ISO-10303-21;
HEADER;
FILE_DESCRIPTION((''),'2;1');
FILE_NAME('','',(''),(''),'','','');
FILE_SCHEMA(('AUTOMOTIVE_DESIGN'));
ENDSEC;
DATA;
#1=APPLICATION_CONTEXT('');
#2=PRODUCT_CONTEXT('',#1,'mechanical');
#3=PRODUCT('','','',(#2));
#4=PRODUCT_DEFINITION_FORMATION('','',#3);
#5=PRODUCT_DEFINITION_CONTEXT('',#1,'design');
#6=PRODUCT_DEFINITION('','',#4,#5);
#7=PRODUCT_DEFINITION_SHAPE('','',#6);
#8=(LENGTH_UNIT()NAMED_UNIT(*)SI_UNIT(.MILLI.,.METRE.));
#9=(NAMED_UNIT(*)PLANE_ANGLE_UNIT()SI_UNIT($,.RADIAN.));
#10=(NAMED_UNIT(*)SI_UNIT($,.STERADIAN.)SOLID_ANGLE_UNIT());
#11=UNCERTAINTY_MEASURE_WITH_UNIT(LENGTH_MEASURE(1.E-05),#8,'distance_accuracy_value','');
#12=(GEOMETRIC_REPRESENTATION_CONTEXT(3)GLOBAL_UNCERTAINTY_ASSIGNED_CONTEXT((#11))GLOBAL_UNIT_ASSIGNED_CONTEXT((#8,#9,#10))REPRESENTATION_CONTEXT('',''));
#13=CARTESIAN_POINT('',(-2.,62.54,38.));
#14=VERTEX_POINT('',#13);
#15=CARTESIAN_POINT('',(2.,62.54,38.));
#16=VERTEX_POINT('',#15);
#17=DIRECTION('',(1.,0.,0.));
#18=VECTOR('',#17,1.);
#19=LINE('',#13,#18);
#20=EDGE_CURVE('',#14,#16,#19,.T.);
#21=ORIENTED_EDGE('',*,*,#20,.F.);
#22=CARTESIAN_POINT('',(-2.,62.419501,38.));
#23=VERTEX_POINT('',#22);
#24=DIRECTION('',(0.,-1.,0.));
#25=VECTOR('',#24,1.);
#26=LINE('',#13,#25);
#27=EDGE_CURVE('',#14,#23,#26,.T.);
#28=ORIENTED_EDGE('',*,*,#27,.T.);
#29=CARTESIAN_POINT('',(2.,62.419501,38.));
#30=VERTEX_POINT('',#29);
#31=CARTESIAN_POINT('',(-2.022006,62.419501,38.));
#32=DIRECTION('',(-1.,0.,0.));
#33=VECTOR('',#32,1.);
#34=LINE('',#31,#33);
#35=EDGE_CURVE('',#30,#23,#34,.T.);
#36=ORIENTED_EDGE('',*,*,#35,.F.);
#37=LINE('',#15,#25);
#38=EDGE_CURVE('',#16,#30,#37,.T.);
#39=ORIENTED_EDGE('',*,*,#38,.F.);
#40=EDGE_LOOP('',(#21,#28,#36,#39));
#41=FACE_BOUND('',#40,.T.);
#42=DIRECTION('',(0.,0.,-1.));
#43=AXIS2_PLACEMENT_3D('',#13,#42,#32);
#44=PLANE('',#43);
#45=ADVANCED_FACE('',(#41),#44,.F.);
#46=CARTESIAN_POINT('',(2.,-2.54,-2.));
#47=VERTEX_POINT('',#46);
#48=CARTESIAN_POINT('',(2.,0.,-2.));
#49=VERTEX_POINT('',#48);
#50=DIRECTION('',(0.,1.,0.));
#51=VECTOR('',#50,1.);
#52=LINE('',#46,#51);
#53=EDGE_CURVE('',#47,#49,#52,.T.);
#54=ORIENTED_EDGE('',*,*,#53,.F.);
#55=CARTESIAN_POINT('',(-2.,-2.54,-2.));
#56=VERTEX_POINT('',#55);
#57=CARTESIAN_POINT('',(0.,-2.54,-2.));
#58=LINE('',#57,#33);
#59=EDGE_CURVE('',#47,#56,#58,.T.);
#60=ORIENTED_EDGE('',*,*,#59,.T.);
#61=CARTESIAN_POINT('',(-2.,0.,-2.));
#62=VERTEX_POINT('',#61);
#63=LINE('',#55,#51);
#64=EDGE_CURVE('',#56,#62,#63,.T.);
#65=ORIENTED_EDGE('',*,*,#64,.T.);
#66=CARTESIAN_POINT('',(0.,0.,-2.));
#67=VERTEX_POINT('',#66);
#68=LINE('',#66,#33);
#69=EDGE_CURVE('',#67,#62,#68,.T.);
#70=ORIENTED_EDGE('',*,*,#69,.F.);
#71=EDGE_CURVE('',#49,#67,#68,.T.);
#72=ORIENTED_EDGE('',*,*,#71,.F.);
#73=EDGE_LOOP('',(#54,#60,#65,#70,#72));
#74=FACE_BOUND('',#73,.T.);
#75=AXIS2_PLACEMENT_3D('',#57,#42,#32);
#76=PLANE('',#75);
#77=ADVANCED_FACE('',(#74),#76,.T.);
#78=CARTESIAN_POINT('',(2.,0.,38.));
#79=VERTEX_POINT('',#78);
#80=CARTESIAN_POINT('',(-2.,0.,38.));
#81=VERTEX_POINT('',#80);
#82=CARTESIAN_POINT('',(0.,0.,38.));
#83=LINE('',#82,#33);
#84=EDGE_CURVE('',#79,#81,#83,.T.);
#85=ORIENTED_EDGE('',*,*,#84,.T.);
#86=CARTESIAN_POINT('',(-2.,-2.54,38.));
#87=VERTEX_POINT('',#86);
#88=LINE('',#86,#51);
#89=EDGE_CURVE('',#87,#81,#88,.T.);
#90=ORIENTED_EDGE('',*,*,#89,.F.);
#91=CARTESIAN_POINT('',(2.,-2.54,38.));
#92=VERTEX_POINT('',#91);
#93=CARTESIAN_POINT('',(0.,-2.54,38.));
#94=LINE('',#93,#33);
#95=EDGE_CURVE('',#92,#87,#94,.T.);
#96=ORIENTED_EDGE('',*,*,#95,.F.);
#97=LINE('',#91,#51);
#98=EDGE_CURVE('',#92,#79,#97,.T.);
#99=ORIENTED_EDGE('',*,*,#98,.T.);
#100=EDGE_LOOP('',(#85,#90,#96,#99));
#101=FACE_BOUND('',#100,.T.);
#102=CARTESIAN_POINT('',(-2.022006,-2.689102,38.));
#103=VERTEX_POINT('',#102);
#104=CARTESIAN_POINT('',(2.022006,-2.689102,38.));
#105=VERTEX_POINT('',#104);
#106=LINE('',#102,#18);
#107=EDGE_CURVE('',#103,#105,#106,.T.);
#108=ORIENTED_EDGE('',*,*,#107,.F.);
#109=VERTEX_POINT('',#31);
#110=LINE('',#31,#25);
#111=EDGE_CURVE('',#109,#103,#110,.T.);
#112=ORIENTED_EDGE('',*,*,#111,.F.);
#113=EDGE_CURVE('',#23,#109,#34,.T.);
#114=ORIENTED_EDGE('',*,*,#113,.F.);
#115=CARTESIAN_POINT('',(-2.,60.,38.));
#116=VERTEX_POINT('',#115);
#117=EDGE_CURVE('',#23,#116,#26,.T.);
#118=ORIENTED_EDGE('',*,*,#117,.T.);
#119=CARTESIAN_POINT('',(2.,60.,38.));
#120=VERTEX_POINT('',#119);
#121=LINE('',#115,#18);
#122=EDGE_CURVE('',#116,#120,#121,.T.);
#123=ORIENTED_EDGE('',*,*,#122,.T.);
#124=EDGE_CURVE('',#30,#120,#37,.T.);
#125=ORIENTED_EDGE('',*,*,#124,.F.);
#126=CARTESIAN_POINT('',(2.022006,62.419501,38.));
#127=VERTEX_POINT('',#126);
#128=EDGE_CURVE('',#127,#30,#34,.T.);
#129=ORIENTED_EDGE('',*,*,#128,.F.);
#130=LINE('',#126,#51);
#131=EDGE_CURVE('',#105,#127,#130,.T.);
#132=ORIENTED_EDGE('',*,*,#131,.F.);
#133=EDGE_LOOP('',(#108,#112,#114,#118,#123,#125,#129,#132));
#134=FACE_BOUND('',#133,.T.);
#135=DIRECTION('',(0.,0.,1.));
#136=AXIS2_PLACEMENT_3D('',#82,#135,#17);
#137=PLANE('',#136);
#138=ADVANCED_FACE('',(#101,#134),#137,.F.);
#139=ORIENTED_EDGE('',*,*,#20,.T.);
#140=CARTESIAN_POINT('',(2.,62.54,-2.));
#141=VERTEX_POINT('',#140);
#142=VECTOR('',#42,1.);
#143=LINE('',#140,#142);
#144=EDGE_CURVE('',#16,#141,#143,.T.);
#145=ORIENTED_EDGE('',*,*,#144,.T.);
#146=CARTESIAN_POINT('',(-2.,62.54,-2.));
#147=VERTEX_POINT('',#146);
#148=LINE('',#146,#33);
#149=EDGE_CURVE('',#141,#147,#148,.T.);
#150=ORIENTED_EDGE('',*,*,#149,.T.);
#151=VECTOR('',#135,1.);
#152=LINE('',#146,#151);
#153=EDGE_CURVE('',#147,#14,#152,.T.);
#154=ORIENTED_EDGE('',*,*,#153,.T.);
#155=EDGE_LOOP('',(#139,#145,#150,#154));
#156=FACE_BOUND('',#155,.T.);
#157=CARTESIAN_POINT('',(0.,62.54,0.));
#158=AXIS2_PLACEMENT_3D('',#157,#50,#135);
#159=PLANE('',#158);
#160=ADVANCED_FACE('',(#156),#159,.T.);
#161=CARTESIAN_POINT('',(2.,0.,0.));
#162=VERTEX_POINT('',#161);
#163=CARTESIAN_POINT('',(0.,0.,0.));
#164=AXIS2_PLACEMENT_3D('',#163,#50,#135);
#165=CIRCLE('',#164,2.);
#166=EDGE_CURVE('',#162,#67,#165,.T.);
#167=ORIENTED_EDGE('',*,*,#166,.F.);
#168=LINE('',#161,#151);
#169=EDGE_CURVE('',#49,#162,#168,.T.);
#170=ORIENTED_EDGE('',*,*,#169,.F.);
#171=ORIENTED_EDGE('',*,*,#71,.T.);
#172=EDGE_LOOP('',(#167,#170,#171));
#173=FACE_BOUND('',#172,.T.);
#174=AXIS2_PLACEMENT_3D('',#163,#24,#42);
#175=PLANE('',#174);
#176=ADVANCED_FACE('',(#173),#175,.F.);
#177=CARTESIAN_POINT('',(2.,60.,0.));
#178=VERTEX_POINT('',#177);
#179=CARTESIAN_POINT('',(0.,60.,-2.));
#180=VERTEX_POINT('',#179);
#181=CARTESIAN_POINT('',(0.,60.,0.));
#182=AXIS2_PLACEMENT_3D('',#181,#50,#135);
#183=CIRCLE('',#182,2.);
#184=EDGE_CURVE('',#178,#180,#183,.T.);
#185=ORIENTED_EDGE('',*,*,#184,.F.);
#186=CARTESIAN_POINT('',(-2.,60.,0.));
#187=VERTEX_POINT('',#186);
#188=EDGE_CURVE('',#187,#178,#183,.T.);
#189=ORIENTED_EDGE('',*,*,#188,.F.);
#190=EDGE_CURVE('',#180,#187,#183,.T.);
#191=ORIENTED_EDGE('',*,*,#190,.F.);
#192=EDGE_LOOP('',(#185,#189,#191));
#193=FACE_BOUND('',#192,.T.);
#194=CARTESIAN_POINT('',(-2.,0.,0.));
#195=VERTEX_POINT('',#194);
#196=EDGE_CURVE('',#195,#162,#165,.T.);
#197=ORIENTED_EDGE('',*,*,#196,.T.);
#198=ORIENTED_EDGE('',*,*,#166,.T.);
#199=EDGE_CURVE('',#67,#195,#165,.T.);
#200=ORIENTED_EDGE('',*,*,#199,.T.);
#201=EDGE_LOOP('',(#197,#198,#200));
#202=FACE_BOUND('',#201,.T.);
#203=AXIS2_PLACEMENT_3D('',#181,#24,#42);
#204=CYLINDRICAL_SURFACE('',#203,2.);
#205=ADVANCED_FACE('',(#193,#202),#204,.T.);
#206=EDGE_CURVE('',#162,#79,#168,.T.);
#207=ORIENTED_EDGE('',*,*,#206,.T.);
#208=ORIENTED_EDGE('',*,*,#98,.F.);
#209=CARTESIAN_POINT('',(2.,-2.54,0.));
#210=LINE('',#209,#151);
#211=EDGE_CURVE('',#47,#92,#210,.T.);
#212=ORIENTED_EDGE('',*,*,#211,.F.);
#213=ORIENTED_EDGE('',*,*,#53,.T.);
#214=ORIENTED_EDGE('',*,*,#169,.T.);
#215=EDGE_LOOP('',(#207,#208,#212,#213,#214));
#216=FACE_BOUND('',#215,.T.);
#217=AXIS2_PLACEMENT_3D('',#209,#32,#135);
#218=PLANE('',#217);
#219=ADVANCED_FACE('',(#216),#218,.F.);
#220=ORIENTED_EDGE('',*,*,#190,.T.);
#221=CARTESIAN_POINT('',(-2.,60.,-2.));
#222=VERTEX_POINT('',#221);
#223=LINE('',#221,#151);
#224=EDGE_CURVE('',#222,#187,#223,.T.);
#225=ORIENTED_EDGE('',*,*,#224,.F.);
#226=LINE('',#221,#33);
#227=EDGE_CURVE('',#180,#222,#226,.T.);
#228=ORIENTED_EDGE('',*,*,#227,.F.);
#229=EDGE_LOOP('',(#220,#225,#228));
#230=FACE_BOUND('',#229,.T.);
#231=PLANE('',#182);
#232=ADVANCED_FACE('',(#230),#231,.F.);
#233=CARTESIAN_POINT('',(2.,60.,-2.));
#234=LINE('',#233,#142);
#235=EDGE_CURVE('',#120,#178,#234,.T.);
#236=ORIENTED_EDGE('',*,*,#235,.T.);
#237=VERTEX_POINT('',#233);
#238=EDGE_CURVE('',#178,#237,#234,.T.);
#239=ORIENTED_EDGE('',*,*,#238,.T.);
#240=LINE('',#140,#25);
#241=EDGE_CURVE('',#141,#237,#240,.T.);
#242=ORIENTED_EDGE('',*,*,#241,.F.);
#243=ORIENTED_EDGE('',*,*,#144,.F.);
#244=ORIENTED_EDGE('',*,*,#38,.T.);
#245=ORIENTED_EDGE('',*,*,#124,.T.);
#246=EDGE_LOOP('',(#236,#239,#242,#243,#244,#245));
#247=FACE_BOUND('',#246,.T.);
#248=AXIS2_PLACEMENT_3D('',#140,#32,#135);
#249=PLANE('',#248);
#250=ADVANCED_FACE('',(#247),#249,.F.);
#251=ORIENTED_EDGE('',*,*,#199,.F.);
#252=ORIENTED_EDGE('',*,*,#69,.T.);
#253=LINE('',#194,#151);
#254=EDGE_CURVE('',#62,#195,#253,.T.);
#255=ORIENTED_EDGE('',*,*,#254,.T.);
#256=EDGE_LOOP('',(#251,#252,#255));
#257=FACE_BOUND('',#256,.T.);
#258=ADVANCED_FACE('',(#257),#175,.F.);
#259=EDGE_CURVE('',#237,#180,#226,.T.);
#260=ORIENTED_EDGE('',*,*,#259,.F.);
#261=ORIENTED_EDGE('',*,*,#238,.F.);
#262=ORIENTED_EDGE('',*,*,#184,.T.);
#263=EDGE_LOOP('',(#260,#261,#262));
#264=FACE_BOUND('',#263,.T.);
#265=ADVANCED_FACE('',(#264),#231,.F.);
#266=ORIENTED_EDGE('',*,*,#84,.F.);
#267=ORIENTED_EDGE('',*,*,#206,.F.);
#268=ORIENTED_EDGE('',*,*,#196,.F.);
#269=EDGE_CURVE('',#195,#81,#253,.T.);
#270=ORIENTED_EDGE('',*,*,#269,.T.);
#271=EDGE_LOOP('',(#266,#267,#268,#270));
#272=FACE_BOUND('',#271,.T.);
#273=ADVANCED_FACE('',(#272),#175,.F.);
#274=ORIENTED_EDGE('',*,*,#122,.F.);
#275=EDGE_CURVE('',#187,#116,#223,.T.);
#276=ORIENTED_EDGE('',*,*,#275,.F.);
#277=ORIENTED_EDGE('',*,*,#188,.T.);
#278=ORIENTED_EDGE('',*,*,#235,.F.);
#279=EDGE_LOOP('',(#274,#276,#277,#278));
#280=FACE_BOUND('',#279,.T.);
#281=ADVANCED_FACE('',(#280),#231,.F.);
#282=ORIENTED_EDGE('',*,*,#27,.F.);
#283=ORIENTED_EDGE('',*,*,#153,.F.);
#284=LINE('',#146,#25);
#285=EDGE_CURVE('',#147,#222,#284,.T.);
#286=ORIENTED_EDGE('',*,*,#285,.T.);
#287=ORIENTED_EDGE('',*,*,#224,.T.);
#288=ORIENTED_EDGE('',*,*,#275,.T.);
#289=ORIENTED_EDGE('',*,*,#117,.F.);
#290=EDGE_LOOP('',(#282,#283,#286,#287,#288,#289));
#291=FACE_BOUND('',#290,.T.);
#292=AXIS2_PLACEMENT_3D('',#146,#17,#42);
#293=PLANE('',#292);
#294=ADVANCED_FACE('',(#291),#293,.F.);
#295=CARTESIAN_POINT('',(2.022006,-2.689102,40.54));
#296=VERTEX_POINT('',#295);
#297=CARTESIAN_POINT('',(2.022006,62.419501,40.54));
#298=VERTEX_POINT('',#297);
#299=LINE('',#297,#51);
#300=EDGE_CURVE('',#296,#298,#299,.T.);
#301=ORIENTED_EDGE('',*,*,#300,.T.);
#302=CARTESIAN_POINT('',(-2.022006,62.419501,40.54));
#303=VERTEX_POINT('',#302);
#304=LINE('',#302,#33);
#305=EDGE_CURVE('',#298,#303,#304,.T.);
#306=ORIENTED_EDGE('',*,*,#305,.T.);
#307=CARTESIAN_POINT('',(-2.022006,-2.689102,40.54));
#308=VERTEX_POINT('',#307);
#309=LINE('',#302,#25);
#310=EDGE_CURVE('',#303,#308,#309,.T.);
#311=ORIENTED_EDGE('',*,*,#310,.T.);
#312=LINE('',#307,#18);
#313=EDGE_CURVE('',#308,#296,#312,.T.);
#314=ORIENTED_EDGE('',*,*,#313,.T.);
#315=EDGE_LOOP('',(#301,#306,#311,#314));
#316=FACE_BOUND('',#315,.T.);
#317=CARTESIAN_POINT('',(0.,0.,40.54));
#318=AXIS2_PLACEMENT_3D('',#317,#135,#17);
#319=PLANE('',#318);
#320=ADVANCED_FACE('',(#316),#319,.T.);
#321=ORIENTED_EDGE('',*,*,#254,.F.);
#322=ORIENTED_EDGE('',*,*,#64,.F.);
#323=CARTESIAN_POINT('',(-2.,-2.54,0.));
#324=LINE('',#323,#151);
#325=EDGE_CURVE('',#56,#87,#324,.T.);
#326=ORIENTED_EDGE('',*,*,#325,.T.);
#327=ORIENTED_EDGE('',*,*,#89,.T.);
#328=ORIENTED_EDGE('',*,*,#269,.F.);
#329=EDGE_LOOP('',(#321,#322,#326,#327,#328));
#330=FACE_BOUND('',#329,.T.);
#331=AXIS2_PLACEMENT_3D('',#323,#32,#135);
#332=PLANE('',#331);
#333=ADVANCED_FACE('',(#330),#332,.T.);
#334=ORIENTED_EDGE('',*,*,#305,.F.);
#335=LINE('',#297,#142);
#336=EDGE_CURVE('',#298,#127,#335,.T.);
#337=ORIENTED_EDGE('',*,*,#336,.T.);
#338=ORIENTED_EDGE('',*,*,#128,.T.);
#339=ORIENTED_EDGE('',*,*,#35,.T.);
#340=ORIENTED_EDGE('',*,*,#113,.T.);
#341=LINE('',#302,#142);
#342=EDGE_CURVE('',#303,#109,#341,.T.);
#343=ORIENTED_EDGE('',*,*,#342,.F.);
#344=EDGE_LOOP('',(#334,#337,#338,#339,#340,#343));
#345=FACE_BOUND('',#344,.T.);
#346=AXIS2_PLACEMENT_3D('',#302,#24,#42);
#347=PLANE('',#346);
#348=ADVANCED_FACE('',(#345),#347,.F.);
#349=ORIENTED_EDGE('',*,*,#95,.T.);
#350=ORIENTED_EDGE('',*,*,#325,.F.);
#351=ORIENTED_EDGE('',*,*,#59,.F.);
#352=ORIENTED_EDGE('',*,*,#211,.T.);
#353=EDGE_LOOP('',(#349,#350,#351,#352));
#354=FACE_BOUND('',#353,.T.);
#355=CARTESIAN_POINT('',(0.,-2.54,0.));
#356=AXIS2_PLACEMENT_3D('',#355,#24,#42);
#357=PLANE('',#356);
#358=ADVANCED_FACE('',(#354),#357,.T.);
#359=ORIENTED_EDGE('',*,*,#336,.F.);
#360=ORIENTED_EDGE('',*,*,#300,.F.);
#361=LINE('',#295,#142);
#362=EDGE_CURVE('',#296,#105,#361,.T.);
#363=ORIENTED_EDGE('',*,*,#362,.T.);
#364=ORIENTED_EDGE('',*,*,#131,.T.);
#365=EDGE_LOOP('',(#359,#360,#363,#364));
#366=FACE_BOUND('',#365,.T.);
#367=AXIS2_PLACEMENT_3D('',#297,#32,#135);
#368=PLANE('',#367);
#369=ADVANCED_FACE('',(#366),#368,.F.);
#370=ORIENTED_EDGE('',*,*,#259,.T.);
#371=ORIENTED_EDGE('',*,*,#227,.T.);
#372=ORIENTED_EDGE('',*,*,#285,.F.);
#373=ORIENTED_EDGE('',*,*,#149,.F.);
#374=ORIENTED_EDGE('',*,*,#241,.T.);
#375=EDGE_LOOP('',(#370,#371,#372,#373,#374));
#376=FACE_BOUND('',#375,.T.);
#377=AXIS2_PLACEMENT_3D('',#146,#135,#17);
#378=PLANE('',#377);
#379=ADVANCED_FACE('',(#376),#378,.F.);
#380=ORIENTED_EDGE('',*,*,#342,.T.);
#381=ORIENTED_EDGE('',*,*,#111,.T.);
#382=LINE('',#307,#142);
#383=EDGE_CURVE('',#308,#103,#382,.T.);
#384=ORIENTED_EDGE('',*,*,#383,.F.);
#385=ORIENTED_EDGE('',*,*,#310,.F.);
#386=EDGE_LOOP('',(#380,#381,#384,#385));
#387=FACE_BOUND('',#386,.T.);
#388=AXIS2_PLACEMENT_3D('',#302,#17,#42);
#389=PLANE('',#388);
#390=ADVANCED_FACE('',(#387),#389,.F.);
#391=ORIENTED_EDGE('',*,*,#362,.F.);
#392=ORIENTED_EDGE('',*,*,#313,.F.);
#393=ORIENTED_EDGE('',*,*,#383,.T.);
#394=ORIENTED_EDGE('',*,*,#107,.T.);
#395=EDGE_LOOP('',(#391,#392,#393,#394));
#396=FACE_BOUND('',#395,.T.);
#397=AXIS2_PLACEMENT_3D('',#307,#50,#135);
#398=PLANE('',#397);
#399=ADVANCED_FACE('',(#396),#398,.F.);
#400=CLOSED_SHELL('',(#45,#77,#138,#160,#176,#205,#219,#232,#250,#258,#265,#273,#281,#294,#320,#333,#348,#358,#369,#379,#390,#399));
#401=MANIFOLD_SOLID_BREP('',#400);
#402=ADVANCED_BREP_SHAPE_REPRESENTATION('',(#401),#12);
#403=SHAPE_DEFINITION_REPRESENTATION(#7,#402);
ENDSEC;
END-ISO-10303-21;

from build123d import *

# Parameters (mm, degrees)
SKETCH1_R           = 2
BOSS_EXTRUDE1_DEPTH = 60
SKETCH2_W           = 4
SKETCH2_H           = 40
BOSS_EXTRUDE2_DEPTH = 2.54
SKETCH3_W           = 4
SKETCH3_H           = 40
BOSS_EXTRUDE3_DEPTH = 2.54
SKETCH4_W           = 4.044012612
SKETCH4_H           = 65.108603045
BOSS_EXTRUDE4_DEPTH = 2.54


with BuildPart() as part:
    # Sketch1 → Boss-Extrude1 (new body)
    with BuildSketch(Plane(origin=(0, 0, 0), x_dir=(1, 0, 0), z_dir=(0, 1, 0))):
        Circle(SKETCH1_R)
    extrude(amount=BOSS_EXTRUDE1_DEPTH)

    # Sketch2 → Boss-Extrude2 (add)
    with BuildSketch(Plane.XZ):
        with Locations((0, 18)):
            Rectangle(SKETCH2_W, SKETCH2_H)
    extrude(amount=BOSS_EXTRUDE2_DEPTH)

    # Sketch3 → Boss-Extrude3 (add)
    with BuildSketch(Plane(origin=(0, 60, 0), x_dir=(1, 0, 0), z_dir=(0, 1, 0))):
        with Locations((0, -18)):
            Rectangle(SKETCH3_W, SKETCH3_H)
    extrude(amount=BOSS_EXTRUDE3_DEPTH)

    # Sketch4 → Boss-Extrude4 (add)
    with BuildSketch(Plane.XY.offset(38)):
        with Locations((0, 29.86519958)):
            Rectangle(SKETCH4_W, SKETCH4_H)
    extrude(amount=BOSS_EXTRUDE4_DEPTH)


solid = part.part
